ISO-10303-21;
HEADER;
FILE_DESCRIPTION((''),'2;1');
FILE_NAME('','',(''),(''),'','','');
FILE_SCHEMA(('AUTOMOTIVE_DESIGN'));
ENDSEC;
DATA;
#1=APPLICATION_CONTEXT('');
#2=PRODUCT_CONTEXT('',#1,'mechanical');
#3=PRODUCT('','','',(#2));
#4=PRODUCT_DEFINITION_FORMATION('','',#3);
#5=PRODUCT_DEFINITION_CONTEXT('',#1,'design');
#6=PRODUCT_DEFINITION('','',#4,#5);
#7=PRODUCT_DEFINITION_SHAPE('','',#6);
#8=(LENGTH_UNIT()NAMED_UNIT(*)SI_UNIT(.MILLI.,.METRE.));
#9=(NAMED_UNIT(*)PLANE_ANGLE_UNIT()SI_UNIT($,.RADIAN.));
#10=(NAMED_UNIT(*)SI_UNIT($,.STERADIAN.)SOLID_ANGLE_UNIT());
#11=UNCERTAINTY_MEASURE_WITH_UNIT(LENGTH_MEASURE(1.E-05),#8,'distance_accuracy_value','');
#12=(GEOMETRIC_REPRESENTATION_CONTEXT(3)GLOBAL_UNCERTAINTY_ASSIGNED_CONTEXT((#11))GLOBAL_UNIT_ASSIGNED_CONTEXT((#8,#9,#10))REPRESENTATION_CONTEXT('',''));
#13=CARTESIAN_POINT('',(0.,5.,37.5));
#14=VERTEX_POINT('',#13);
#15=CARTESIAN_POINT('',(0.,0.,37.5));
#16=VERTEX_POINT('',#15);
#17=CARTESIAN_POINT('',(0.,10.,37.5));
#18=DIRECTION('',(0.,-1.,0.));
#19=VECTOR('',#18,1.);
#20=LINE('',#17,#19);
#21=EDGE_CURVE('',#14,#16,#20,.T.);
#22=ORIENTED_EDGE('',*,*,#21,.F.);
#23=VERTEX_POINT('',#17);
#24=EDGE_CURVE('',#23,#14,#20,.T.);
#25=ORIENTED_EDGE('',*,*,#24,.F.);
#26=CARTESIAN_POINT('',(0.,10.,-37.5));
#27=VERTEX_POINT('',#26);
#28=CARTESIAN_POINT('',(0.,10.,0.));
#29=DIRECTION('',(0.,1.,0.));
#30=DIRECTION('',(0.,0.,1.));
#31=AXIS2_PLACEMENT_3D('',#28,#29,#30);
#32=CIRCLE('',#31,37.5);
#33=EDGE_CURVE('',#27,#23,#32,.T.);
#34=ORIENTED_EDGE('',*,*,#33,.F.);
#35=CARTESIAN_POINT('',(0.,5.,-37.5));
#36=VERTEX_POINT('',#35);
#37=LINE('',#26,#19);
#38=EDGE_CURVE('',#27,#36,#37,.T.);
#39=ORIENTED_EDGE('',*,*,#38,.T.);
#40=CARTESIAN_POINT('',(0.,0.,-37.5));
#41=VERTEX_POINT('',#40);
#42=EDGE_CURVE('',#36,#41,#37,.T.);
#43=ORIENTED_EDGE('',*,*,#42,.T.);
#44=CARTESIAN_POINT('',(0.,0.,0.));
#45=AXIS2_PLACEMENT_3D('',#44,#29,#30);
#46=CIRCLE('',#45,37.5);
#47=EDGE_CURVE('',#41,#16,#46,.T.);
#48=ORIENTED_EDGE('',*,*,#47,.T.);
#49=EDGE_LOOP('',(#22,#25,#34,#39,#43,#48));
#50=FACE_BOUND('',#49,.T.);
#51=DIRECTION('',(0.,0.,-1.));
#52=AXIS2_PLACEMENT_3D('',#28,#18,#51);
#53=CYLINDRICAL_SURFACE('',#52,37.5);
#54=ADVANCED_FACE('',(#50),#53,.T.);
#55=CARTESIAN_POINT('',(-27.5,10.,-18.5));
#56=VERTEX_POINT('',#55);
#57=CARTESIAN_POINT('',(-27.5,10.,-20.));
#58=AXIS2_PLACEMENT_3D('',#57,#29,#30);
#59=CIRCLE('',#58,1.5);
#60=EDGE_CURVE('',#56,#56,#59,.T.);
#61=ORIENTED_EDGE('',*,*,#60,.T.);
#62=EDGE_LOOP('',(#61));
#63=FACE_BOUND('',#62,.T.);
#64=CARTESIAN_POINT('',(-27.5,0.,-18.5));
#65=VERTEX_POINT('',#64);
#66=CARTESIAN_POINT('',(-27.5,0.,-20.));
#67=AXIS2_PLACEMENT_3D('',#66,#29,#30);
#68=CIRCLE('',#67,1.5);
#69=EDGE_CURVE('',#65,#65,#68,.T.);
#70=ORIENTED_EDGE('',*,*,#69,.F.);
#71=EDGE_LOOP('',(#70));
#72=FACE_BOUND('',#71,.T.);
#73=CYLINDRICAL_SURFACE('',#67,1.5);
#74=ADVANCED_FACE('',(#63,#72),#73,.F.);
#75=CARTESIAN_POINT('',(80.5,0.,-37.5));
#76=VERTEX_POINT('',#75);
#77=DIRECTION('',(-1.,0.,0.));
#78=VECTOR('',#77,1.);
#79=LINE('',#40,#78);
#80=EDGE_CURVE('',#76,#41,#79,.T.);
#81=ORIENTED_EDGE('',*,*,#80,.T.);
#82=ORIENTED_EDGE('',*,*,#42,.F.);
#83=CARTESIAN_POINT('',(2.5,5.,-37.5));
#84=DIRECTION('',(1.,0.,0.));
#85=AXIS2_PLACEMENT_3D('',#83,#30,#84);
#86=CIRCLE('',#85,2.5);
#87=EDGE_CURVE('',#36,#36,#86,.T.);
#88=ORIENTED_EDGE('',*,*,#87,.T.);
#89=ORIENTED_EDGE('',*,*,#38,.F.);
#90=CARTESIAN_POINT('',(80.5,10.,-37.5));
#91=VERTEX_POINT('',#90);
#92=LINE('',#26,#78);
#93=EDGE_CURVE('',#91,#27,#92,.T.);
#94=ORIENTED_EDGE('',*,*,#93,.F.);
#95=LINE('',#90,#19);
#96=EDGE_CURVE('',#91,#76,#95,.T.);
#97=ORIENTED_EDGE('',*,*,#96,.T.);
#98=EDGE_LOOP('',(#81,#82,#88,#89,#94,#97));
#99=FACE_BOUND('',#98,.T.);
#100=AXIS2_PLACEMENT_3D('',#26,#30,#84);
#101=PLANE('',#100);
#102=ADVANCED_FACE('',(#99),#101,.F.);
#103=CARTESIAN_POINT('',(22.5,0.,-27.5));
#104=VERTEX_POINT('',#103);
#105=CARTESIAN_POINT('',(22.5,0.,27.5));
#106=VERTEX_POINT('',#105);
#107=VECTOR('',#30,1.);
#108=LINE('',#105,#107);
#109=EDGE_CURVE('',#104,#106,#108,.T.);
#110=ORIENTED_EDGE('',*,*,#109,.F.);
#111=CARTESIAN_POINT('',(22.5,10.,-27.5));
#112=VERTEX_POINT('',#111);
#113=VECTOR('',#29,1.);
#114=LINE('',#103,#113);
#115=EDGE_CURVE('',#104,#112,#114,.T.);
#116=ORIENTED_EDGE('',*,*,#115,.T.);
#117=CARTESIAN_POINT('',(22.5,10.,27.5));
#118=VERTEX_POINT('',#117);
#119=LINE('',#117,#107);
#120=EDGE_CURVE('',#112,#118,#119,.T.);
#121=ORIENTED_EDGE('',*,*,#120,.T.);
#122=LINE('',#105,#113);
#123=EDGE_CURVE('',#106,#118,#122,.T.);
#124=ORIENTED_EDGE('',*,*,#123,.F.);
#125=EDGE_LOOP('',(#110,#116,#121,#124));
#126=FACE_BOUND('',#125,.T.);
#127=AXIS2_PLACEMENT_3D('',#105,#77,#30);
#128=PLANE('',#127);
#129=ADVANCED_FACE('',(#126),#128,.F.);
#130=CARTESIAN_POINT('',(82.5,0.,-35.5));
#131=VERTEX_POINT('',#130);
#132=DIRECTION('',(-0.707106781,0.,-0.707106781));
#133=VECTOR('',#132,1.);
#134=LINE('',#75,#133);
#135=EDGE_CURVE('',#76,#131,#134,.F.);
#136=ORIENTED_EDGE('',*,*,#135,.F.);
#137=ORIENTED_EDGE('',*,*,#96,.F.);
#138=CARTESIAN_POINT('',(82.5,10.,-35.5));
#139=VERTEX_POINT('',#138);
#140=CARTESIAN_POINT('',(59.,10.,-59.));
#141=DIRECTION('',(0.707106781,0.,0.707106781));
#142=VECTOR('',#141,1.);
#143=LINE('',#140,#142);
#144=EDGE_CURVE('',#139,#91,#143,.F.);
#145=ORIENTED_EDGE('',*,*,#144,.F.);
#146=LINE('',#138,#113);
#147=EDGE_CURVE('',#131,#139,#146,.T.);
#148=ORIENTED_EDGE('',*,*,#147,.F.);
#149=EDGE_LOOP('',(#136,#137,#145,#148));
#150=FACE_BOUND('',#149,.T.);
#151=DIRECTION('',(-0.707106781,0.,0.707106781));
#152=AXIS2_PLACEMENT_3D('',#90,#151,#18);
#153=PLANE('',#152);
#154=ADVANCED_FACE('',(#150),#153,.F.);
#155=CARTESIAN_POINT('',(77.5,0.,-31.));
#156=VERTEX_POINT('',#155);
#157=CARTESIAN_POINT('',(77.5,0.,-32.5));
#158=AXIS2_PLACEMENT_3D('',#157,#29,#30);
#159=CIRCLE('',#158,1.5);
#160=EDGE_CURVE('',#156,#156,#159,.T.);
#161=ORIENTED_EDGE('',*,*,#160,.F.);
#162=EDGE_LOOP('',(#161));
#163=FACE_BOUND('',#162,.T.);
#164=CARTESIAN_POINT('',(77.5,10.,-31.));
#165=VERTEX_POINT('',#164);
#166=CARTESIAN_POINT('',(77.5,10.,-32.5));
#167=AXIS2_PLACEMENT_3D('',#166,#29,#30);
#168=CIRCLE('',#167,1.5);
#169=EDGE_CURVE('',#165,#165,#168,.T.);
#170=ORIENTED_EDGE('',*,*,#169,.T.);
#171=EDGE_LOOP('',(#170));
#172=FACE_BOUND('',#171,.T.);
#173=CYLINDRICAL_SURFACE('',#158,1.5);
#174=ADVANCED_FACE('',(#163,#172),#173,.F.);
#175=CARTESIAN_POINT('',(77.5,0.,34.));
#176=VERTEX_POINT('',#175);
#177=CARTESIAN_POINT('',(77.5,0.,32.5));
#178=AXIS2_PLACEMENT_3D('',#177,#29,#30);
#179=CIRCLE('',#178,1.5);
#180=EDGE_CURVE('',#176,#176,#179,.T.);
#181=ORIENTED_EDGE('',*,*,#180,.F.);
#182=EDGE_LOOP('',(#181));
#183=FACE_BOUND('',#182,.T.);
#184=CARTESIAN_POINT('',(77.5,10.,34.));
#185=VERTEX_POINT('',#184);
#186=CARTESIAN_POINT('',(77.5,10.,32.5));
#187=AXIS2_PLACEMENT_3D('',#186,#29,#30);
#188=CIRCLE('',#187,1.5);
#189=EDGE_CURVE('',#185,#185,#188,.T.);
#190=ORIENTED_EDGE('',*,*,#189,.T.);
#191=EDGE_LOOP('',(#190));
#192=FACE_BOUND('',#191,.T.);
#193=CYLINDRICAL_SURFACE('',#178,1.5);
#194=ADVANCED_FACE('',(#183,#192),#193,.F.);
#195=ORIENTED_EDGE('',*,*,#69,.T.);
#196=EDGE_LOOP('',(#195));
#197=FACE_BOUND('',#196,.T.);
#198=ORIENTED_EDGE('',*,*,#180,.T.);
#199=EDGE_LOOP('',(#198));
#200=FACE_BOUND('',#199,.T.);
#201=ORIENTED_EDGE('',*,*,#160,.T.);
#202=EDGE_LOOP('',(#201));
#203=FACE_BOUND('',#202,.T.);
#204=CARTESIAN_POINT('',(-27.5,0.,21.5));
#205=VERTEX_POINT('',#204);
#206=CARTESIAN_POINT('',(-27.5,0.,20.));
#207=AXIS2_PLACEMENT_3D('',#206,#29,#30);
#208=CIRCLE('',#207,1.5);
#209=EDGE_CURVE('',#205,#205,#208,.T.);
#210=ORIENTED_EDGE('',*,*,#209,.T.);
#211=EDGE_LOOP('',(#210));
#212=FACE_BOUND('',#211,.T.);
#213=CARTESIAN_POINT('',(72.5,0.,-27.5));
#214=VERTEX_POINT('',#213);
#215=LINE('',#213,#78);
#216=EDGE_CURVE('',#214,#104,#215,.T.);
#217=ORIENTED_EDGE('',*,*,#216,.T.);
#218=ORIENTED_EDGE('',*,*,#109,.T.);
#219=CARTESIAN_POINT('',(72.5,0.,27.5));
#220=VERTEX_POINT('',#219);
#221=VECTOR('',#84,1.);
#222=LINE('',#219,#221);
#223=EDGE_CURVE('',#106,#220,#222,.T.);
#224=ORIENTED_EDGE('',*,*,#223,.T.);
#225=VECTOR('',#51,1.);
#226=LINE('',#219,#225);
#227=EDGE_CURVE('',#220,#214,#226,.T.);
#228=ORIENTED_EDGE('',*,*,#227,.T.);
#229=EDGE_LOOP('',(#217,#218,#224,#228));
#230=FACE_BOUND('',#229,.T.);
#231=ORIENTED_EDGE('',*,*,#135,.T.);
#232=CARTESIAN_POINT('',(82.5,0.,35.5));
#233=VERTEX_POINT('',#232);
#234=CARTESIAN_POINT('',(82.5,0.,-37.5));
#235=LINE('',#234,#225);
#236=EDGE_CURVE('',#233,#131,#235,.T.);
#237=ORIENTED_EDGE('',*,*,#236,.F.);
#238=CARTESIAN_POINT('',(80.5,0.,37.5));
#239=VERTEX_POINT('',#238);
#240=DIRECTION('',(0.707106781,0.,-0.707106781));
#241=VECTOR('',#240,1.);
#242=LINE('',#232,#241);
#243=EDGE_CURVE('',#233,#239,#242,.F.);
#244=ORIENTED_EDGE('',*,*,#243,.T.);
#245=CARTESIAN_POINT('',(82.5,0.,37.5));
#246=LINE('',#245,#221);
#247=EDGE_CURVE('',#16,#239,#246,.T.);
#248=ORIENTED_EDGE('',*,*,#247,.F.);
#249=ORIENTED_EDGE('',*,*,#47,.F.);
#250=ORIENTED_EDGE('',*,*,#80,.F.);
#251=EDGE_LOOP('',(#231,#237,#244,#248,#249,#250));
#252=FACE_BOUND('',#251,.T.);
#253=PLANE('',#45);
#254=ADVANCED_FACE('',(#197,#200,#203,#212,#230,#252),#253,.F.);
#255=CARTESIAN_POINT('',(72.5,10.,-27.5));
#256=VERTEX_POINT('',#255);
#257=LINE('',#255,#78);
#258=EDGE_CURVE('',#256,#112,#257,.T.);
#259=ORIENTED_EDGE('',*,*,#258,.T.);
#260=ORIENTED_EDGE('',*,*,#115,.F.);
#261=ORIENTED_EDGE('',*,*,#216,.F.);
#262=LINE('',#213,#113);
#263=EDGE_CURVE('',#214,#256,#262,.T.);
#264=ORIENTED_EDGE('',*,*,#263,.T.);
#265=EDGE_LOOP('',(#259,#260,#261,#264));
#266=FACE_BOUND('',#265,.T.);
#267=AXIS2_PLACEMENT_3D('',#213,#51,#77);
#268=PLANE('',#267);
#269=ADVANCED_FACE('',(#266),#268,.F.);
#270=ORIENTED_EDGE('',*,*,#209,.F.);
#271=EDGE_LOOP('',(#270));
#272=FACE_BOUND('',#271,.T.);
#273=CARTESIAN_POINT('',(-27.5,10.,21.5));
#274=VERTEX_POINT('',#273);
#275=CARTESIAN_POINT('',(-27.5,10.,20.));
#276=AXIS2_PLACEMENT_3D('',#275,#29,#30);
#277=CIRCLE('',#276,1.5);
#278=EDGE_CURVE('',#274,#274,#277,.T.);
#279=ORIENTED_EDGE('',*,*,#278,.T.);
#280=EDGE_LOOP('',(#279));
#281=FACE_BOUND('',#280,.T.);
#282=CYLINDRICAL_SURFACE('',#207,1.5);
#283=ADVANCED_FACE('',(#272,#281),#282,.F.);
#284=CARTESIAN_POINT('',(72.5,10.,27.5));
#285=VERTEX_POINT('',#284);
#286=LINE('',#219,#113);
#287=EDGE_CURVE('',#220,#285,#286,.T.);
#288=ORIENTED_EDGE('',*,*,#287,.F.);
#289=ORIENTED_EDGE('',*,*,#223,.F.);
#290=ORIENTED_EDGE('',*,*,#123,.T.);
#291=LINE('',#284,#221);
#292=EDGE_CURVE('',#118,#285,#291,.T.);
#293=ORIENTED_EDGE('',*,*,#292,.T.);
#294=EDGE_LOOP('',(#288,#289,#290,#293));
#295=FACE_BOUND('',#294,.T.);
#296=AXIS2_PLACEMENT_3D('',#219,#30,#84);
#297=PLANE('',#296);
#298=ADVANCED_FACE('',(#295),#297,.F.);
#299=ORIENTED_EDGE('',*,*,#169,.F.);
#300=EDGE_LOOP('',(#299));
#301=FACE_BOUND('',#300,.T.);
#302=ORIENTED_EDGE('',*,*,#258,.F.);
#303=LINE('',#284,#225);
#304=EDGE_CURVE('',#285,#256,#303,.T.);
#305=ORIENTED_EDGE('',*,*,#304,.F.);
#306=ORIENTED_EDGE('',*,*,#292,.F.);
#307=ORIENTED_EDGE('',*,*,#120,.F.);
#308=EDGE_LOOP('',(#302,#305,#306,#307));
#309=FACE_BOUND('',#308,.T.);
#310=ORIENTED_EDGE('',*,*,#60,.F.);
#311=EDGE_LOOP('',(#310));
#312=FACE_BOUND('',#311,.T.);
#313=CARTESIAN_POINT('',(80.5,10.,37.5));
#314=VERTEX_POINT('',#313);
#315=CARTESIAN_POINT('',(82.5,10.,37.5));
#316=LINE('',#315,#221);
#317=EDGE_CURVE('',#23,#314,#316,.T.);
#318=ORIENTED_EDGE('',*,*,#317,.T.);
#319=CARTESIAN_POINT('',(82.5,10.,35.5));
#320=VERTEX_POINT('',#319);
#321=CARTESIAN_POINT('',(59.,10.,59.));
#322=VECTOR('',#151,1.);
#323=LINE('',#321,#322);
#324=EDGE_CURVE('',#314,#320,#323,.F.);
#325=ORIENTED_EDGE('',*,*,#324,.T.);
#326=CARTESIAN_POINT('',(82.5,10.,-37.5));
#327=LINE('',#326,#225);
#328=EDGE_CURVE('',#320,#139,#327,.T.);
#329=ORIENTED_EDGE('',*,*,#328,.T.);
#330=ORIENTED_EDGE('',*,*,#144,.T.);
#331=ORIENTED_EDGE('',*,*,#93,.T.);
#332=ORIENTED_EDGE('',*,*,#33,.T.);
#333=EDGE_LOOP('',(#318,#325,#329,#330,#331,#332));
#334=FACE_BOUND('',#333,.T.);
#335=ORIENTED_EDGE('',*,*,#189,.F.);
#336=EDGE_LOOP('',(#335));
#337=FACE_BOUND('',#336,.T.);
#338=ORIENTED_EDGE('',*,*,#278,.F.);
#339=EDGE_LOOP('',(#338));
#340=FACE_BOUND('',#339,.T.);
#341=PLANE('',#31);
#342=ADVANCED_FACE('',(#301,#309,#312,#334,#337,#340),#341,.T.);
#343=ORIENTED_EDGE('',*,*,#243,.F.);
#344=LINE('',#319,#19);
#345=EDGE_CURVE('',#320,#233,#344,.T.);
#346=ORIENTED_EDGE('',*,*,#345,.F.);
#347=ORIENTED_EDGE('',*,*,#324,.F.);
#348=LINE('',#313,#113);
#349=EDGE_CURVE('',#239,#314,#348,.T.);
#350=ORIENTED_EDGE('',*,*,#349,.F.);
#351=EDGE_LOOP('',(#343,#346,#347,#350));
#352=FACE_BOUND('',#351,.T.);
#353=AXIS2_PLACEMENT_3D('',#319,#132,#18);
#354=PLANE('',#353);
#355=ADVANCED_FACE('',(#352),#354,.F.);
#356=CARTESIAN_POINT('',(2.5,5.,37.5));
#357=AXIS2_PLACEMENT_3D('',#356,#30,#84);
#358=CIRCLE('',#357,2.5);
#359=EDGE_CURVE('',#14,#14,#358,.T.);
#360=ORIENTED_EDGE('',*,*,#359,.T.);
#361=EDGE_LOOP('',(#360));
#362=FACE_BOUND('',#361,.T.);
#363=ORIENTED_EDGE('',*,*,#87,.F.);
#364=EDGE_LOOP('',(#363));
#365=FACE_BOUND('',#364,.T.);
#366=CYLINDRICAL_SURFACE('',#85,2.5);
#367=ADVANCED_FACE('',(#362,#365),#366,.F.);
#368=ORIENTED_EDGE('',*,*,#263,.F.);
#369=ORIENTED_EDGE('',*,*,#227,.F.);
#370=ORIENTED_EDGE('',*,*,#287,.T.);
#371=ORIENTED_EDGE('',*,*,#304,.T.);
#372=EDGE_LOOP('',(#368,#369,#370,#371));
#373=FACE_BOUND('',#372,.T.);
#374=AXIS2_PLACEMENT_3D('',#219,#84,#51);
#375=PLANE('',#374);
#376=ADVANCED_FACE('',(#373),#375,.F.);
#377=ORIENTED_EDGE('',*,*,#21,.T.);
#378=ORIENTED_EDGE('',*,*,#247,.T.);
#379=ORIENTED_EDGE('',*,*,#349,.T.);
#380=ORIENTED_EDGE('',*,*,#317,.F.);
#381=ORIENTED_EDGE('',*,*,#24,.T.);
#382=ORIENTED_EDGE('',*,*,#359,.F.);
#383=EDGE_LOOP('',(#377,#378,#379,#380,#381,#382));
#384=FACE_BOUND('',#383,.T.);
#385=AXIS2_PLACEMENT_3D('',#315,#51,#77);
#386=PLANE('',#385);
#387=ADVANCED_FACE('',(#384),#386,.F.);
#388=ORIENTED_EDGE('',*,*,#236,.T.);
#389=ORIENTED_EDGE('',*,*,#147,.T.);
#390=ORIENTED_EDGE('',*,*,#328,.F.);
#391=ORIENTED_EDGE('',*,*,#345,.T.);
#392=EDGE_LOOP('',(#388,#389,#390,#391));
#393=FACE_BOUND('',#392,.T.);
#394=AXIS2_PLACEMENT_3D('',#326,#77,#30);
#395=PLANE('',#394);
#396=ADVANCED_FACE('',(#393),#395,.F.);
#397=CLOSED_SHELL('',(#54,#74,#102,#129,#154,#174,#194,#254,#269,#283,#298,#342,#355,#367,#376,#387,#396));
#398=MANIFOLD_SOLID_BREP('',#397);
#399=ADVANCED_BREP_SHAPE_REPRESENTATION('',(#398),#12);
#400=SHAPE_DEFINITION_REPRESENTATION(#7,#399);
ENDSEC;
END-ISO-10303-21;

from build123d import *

# Parameters (mm, degrees)
EXTRUDE_1_DEPTH     = 10
SKETCH_2_R          = 2.5
CUT_EXTRUDE_1_DEPTH = 112.943065886
SKETCH_3_R          = 1.5
CUT_EXTRUDE_2_DEPTH = 92.172912644
SKETCH_4_W          = 50
SKETCH_4_H          = 55
CUT_EXTRUDE_3_DEPTH = 92.172912644
CHAMFER_1_SIZE      = 2


with BuildPart() as part:
    # 草图1 → 凸台-拉伸1 (new body)
    with BuildSketch(Plane(origin=(0, 0, 0), x_dir=(1, 0, 0), z_dir=(0, 1, 0))):
        with BuildLine():
            Line((0, 37.5), (82.5, 37.5))
            Line((82.5, 37.5), (82.5, -37.5))
            Line((82.5, -37.5), (0, -37.5))
            ThreePointArc((0, -37.5), (-37.5, 0), (0, 37.5))
        make_face()
    extrude(amount=EXTRUDE_1_DEPTH)

    # 草图2 → 切除-拉伸1 (cut, through all)
    with BuildSketch(Plane.XY.offset(37.5)):
        with Locations(Location((2.5, 5, 0), (0, 0, 180))):
            Circle(SKETCH_2_R)
    extrude(amount=-CUT_EXTRUDE_1_DEPTH, mode=Mode.SUBTRACT)

    # 草图3 → 切除-拉伸2 (cut, through all)
    with BuildSketch(Plane(origin=(0, 10, 0), x_dir=(1, 0, 0), z_dir=(0, 1, 0))):
        with Locations(Location((-27.5, 20, 0), (0, 0, 270))):
            Circle(SKETCH_3_R)
        with Locations(Location((-27.5, -20, 0), (0, 0, 270))):
            Circle(SKETCH_3_R)
        with Locations(Location((77.5, 32.5, 0), (0, 0, 270))):
            Circle(SKETCH_3_R)
        with Locations(Location((77.5, -32.5, 0), (0, 0, 270))):
            Circle(SKETCH_3_R)
    extrude(amount=-CUT_EXTRUDE_2_DEPTH, mode=Mode.SUBTRACT)

    # 草图4 → 切除-拉伸3 (cut, through all)
    with BuildSketch(Plane(origin=(0, 10, 0), x_dir=(1, 0, 0), z_dir=(0, 1, 0))):
        with Locations((47.5, 0)):
            Rectangle(SKETCH_4_W, SKETCH_4_H)
    extrude(amount=-CUT_EXTRUDE_3_DEPTH, mode=Mode.SUBTRACT)

    # 倒角1
    chamfer_1_edges = [part.edges().sort_by_distance(p)[0] for p in [
        (82.5, 5, -37.5),
        (82.5, 5, 37.5),
    ]]
    chamfer(chamfer_1_edges, length=CHAMFER_1_SIZE)


solid = part.part
